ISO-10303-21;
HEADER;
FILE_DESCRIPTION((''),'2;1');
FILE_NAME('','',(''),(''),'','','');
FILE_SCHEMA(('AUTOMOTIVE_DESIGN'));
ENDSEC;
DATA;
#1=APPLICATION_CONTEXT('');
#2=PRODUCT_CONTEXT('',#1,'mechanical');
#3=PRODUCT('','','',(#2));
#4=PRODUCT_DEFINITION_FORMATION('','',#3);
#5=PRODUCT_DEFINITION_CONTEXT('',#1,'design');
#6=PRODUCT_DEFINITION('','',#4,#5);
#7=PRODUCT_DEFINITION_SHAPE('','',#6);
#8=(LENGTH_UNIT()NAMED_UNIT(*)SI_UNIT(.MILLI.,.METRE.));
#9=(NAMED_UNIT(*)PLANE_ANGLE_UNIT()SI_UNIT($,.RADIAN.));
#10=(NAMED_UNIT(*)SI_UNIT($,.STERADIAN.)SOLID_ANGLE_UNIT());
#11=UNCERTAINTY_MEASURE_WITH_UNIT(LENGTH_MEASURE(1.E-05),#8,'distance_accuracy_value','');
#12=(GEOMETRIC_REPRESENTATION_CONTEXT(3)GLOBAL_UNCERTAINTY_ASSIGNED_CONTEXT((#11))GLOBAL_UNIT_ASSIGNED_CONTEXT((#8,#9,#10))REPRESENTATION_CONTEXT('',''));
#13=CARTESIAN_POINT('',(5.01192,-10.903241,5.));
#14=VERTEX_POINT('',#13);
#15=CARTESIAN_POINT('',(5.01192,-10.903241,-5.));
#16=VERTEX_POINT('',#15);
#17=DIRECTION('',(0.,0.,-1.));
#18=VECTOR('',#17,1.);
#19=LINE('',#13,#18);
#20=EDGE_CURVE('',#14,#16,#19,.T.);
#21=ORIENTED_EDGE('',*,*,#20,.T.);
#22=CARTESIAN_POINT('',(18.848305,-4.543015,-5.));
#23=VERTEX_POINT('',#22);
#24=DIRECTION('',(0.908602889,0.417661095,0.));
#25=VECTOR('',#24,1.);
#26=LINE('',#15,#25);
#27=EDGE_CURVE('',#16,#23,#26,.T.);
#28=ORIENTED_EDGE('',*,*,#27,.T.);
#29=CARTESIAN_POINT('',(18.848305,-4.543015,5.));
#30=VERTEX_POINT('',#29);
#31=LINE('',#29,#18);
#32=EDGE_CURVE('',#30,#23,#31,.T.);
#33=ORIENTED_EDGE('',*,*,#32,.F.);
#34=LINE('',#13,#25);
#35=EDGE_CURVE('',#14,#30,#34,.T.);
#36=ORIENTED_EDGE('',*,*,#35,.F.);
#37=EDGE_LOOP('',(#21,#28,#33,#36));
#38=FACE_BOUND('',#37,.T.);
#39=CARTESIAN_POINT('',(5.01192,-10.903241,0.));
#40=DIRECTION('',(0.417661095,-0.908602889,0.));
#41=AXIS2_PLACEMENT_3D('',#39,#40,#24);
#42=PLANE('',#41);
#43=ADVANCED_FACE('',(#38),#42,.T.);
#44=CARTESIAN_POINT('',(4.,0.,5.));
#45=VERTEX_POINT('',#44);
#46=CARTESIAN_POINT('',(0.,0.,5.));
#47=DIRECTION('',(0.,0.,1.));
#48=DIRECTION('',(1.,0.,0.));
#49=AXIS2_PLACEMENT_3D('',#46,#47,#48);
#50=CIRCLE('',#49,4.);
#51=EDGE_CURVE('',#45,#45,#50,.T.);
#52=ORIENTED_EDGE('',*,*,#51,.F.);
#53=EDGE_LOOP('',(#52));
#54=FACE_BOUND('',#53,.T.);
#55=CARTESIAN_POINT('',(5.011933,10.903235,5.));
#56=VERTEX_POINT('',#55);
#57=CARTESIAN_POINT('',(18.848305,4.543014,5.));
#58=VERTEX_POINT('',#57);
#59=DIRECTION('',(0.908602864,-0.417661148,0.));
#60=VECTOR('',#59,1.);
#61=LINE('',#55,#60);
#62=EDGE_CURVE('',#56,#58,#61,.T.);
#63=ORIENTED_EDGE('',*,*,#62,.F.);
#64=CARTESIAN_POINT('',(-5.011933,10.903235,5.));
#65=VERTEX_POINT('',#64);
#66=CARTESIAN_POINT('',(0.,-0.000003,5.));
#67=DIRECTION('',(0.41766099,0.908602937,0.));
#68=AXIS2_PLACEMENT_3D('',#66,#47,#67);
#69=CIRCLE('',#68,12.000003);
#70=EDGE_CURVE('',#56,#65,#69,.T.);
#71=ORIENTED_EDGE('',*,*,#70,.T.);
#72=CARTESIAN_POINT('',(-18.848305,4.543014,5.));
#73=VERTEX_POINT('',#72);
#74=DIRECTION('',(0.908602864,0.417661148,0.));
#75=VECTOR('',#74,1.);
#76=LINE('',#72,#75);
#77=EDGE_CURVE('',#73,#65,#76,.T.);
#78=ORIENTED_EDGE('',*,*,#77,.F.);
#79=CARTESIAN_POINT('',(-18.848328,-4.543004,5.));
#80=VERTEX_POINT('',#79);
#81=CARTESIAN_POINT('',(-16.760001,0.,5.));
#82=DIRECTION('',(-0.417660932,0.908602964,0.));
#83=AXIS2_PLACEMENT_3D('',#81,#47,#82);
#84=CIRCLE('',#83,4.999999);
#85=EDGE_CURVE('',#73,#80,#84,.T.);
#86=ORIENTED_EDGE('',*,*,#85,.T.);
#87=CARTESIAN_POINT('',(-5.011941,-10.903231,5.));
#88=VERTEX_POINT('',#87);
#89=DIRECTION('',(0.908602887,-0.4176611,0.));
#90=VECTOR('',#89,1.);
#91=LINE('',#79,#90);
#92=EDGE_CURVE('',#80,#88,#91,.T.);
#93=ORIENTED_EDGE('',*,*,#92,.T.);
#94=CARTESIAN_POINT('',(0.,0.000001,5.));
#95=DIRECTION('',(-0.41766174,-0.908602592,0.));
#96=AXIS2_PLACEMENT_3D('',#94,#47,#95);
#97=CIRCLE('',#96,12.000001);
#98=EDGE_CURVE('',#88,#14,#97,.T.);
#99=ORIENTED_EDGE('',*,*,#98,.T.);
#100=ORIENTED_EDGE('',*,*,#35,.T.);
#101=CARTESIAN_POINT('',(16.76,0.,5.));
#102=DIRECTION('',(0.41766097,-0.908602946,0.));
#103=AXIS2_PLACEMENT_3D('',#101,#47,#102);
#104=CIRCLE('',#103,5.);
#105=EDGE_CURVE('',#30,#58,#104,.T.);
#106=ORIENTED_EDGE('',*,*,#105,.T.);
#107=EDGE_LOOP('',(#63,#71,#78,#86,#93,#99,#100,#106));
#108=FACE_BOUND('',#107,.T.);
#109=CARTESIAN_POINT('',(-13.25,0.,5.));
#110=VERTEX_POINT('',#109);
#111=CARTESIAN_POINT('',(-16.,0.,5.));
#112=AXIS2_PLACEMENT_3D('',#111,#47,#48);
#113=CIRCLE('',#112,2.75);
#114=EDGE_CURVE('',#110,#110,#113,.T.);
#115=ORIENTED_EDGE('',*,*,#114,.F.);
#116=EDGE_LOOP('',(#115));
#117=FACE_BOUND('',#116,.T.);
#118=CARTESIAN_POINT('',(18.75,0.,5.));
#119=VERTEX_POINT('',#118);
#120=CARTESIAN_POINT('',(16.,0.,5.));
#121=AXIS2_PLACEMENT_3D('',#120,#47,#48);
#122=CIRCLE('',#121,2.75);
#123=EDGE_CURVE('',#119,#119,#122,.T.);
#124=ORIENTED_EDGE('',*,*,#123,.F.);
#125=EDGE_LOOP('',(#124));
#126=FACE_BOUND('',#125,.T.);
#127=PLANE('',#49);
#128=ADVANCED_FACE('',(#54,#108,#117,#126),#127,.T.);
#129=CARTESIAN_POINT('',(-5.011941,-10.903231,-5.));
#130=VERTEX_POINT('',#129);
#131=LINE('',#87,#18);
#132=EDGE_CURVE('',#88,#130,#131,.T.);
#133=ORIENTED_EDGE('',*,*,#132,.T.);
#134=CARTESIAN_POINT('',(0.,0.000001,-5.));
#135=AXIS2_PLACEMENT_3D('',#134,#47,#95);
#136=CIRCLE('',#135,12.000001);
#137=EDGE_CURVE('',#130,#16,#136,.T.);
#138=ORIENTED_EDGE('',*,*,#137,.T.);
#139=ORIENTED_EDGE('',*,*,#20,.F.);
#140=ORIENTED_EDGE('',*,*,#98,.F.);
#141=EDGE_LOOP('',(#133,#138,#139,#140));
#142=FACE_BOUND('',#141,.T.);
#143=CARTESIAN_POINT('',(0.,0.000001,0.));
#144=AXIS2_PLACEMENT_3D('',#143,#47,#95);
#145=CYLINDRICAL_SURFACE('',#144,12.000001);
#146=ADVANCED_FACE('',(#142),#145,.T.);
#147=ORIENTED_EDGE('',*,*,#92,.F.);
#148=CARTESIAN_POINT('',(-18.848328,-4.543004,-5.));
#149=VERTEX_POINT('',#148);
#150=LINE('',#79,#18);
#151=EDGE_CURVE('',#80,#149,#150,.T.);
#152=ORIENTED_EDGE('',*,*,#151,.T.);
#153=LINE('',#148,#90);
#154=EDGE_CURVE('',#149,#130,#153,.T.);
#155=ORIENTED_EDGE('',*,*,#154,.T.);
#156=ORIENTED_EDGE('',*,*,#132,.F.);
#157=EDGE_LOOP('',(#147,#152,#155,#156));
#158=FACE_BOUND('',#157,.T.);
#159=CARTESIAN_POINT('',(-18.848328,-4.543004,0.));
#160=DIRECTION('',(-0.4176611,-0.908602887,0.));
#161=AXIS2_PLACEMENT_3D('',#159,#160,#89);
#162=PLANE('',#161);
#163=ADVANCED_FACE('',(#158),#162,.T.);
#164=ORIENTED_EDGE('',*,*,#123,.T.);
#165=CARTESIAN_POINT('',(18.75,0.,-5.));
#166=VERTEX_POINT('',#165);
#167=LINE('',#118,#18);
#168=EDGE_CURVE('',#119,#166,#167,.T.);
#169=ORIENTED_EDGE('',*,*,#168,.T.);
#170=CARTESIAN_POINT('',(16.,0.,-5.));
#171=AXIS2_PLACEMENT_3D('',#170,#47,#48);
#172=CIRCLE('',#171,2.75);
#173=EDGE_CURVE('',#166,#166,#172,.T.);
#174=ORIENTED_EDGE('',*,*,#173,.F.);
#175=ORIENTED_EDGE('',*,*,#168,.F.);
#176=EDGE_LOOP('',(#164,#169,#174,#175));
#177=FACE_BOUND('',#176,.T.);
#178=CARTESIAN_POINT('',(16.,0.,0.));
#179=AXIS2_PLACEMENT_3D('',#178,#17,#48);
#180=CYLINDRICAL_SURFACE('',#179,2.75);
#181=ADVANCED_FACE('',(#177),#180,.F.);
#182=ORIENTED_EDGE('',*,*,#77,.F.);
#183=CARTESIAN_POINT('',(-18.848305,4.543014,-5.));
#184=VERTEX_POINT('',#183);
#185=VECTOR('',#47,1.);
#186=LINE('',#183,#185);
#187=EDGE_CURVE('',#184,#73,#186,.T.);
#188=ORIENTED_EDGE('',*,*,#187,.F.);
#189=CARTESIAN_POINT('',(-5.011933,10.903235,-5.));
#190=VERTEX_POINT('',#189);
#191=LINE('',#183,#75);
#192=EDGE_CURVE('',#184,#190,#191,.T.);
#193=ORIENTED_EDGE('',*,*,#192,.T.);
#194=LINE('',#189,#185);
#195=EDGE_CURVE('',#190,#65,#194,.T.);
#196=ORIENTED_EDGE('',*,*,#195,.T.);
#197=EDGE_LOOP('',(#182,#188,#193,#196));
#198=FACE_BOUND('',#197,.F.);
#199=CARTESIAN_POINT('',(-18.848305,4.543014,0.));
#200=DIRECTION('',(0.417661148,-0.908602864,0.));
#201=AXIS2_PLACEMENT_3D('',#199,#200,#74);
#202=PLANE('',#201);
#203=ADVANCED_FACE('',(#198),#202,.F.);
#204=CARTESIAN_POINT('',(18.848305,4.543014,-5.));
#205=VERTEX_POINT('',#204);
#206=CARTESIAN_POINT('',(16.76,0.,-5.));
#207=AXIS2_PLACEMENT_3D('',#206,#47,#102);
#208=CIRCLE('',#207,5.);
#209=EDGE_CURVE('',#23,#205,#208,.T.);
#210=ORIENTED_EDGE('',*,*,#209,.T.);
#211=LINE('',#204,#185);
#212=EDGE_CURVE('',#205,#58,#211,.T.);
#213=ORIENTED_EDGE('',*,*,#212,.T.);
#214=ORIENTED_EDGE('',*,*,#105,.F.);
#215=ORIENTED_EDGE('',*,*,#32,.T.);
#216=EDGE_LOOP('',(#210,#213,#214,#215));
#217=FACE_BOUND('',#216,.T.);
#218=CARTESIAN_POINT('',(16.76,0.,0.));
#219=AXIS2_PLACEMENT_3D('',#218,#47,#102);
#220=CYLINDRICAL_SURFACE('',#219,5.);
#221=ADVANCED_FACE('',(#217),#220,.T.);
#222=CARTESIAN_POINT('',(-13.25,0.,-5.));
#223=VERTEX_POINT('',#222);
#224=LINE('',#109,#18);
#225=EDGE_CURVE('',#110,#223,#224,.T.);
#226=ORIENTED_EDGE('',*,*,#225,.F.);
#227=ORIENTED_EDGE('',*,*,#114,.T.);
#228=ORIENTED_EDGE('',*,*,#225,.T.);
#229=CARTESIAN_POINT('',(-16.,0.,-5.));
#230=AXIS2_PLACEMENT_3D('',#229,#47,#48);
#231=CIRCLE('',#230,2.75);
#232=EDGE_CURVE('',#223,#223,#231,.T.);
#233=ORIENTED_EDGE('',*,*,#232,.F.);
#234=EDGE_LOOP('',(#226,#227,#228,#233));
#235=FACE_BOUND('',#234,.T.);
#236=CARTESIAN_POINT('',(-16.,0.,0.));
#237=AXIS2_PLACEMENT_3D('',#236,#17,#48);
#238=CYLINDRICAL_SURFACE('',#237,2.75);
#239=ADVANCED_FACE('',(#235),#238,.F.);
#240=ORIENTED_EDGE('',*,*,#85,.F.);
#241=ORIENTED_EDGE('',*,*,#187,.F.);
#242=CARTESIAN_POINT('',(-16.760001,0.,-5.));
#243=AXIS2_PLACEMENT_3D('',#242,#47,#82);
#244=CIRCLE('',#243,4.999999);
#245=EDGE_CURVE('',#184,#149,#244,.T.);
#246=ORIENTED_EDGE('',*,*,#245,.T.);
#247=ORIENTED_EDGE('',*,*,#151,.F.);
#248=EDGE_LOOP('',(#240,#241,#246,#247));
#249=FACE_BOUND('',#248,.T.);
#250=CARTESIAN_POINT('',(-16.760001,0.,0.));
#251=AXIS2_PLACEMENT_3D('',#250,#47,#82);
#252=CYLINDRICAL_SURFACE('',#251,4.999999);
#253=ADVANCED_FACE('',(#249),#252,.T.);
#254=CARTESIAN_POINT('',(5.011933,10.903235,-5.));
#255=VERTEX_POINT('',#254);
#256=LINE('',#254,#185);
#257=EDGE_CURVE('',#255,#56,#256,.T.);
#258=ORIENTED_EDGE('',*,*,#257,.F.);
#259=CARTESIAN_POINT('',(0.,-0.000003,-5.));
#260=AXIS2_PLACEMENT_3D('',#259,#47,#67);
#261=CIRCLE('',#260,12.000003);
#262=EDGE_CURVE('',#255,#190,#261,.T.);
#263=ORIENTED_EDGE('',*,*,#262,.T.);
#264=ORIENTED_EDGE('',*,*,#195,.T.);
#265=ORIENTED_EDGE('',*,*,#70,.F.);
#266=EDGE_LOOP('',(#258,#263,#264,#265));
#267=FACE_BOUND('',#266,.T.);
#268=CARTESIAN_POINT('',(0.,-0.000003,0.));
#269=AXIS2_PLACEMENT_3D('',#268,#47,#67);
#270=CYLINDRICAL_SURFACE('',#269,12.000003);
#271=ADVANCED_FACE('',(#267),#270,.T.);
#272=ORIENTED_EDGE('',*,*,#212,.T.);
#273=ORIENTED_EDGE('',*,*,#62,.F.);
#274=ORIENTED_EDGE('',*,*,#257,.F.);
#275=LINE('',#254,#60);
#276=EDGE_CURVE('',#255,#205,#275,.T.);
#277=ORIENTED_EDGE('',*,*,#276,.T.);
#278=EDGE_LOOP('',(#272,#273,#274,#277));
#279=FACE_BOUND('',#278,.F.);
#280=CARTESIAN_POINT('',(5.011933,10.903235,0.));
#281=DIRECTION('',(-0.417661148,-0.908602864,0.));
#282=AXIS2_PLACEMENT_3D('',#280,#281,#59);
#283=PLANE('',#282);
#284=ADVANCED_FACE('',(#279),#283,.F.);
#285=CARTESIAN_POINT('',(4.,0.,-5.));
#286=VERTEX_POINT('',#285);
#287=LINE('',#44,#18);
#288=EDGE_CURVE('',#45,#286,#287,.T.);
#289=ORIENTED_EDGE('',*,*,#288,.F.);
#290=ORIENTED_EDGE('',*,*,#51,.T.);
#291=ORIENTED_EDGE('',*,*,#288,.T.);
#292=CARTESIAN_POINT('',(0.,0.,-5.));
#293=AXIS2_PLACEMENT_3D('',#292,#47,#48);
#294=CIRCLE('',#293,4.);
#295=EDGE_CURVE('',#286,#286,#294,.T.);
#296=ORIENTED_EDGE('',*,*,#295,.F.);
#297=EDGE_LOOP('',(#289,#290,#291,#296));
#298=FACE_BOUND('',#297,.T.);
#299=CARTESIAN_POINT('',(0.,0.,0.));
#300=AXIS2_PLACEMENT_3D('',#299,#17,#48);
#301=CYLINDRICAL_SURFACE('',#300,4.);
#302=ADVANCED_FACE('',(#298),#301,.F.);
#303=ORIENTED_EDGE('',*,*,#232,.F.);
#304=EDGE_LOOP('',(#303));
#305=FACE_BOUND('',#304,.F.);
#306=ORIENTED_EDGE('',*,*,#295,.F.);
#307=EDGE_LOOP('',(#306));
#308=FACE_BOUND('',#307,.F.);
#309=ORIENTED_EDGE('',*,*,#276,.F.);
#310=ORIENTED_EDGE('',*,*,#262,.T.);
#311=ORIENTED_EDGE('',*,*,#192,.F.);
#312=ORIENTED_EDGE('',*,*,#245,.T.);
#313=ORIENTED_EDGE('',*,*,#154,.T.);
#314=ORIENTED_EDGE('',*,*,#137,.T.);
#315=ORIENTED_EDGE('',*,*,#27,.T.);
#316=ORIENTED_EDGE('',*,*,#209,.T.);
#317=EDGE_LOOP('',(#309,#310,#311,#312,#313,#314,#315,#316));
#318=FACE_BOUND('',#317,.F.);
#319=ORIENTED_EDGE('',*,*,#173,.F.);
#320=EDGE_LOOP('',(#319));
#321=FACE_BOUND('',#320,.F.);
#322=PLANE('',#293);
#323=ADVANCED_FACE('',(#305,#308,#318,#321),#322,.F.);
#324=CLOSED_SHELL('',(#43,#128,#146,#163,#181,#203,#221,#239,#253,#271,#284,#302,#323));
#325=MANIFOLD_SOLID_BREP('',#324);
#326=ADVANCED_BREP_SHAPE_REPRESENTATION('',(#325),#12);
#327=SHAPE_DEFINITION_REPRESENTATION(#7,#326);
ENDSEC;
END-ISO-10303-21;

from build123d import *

# Parameters (mm, degrees)
SKETCH_R   = 4
SKETCH_R_2 = 2.75
PAD_DEPTH  = 5


with BuildPart() as part:
    # Sketch → Pad (new body, symmetric)
    with BuildSketch(Plane.XY):
        with BuildLine():
            ThreePointArc((18.848305, -4.543015), (21.76, 0), (18.848305, 4.543014))
            Line((5.011933, 10.903235), (18.848305, 4.543014))
            ThreePointArc((5.011933, 10.903235), (0, 12), (-5.011933, 10.903235))
            Line((-18.848305, 4.543014), (-5.011933, 10.903235))
            ThreePointArc((-18.848305, 4.543014), (-21.76, 1.3e-05), (-18.848328, -4.543004))
            Line((-18.848328, -4.543004), (-5.011941, -10.903231))
            ThreePointArc((-5.011941, -10.903231), (-1.2e-05, -12), (5.01192, -10.903241))
            Line((5.01192, -10.903241), (18.848305, -4.543015))
        make_face()
        Circle(SKETCH_R, mode=Mode.SUBTRACT)
        with Locations((-16, 0)):
            Circle(SKETCH_R_2, mode=Mode.SUBTRACT)
        with Locations((16, 0)):
            Circle(SKETCH_R_2, mode=Mode.SUBTRACT)
    extrude(amount=PAD_DEPTH, both=True)


solid = part.part
